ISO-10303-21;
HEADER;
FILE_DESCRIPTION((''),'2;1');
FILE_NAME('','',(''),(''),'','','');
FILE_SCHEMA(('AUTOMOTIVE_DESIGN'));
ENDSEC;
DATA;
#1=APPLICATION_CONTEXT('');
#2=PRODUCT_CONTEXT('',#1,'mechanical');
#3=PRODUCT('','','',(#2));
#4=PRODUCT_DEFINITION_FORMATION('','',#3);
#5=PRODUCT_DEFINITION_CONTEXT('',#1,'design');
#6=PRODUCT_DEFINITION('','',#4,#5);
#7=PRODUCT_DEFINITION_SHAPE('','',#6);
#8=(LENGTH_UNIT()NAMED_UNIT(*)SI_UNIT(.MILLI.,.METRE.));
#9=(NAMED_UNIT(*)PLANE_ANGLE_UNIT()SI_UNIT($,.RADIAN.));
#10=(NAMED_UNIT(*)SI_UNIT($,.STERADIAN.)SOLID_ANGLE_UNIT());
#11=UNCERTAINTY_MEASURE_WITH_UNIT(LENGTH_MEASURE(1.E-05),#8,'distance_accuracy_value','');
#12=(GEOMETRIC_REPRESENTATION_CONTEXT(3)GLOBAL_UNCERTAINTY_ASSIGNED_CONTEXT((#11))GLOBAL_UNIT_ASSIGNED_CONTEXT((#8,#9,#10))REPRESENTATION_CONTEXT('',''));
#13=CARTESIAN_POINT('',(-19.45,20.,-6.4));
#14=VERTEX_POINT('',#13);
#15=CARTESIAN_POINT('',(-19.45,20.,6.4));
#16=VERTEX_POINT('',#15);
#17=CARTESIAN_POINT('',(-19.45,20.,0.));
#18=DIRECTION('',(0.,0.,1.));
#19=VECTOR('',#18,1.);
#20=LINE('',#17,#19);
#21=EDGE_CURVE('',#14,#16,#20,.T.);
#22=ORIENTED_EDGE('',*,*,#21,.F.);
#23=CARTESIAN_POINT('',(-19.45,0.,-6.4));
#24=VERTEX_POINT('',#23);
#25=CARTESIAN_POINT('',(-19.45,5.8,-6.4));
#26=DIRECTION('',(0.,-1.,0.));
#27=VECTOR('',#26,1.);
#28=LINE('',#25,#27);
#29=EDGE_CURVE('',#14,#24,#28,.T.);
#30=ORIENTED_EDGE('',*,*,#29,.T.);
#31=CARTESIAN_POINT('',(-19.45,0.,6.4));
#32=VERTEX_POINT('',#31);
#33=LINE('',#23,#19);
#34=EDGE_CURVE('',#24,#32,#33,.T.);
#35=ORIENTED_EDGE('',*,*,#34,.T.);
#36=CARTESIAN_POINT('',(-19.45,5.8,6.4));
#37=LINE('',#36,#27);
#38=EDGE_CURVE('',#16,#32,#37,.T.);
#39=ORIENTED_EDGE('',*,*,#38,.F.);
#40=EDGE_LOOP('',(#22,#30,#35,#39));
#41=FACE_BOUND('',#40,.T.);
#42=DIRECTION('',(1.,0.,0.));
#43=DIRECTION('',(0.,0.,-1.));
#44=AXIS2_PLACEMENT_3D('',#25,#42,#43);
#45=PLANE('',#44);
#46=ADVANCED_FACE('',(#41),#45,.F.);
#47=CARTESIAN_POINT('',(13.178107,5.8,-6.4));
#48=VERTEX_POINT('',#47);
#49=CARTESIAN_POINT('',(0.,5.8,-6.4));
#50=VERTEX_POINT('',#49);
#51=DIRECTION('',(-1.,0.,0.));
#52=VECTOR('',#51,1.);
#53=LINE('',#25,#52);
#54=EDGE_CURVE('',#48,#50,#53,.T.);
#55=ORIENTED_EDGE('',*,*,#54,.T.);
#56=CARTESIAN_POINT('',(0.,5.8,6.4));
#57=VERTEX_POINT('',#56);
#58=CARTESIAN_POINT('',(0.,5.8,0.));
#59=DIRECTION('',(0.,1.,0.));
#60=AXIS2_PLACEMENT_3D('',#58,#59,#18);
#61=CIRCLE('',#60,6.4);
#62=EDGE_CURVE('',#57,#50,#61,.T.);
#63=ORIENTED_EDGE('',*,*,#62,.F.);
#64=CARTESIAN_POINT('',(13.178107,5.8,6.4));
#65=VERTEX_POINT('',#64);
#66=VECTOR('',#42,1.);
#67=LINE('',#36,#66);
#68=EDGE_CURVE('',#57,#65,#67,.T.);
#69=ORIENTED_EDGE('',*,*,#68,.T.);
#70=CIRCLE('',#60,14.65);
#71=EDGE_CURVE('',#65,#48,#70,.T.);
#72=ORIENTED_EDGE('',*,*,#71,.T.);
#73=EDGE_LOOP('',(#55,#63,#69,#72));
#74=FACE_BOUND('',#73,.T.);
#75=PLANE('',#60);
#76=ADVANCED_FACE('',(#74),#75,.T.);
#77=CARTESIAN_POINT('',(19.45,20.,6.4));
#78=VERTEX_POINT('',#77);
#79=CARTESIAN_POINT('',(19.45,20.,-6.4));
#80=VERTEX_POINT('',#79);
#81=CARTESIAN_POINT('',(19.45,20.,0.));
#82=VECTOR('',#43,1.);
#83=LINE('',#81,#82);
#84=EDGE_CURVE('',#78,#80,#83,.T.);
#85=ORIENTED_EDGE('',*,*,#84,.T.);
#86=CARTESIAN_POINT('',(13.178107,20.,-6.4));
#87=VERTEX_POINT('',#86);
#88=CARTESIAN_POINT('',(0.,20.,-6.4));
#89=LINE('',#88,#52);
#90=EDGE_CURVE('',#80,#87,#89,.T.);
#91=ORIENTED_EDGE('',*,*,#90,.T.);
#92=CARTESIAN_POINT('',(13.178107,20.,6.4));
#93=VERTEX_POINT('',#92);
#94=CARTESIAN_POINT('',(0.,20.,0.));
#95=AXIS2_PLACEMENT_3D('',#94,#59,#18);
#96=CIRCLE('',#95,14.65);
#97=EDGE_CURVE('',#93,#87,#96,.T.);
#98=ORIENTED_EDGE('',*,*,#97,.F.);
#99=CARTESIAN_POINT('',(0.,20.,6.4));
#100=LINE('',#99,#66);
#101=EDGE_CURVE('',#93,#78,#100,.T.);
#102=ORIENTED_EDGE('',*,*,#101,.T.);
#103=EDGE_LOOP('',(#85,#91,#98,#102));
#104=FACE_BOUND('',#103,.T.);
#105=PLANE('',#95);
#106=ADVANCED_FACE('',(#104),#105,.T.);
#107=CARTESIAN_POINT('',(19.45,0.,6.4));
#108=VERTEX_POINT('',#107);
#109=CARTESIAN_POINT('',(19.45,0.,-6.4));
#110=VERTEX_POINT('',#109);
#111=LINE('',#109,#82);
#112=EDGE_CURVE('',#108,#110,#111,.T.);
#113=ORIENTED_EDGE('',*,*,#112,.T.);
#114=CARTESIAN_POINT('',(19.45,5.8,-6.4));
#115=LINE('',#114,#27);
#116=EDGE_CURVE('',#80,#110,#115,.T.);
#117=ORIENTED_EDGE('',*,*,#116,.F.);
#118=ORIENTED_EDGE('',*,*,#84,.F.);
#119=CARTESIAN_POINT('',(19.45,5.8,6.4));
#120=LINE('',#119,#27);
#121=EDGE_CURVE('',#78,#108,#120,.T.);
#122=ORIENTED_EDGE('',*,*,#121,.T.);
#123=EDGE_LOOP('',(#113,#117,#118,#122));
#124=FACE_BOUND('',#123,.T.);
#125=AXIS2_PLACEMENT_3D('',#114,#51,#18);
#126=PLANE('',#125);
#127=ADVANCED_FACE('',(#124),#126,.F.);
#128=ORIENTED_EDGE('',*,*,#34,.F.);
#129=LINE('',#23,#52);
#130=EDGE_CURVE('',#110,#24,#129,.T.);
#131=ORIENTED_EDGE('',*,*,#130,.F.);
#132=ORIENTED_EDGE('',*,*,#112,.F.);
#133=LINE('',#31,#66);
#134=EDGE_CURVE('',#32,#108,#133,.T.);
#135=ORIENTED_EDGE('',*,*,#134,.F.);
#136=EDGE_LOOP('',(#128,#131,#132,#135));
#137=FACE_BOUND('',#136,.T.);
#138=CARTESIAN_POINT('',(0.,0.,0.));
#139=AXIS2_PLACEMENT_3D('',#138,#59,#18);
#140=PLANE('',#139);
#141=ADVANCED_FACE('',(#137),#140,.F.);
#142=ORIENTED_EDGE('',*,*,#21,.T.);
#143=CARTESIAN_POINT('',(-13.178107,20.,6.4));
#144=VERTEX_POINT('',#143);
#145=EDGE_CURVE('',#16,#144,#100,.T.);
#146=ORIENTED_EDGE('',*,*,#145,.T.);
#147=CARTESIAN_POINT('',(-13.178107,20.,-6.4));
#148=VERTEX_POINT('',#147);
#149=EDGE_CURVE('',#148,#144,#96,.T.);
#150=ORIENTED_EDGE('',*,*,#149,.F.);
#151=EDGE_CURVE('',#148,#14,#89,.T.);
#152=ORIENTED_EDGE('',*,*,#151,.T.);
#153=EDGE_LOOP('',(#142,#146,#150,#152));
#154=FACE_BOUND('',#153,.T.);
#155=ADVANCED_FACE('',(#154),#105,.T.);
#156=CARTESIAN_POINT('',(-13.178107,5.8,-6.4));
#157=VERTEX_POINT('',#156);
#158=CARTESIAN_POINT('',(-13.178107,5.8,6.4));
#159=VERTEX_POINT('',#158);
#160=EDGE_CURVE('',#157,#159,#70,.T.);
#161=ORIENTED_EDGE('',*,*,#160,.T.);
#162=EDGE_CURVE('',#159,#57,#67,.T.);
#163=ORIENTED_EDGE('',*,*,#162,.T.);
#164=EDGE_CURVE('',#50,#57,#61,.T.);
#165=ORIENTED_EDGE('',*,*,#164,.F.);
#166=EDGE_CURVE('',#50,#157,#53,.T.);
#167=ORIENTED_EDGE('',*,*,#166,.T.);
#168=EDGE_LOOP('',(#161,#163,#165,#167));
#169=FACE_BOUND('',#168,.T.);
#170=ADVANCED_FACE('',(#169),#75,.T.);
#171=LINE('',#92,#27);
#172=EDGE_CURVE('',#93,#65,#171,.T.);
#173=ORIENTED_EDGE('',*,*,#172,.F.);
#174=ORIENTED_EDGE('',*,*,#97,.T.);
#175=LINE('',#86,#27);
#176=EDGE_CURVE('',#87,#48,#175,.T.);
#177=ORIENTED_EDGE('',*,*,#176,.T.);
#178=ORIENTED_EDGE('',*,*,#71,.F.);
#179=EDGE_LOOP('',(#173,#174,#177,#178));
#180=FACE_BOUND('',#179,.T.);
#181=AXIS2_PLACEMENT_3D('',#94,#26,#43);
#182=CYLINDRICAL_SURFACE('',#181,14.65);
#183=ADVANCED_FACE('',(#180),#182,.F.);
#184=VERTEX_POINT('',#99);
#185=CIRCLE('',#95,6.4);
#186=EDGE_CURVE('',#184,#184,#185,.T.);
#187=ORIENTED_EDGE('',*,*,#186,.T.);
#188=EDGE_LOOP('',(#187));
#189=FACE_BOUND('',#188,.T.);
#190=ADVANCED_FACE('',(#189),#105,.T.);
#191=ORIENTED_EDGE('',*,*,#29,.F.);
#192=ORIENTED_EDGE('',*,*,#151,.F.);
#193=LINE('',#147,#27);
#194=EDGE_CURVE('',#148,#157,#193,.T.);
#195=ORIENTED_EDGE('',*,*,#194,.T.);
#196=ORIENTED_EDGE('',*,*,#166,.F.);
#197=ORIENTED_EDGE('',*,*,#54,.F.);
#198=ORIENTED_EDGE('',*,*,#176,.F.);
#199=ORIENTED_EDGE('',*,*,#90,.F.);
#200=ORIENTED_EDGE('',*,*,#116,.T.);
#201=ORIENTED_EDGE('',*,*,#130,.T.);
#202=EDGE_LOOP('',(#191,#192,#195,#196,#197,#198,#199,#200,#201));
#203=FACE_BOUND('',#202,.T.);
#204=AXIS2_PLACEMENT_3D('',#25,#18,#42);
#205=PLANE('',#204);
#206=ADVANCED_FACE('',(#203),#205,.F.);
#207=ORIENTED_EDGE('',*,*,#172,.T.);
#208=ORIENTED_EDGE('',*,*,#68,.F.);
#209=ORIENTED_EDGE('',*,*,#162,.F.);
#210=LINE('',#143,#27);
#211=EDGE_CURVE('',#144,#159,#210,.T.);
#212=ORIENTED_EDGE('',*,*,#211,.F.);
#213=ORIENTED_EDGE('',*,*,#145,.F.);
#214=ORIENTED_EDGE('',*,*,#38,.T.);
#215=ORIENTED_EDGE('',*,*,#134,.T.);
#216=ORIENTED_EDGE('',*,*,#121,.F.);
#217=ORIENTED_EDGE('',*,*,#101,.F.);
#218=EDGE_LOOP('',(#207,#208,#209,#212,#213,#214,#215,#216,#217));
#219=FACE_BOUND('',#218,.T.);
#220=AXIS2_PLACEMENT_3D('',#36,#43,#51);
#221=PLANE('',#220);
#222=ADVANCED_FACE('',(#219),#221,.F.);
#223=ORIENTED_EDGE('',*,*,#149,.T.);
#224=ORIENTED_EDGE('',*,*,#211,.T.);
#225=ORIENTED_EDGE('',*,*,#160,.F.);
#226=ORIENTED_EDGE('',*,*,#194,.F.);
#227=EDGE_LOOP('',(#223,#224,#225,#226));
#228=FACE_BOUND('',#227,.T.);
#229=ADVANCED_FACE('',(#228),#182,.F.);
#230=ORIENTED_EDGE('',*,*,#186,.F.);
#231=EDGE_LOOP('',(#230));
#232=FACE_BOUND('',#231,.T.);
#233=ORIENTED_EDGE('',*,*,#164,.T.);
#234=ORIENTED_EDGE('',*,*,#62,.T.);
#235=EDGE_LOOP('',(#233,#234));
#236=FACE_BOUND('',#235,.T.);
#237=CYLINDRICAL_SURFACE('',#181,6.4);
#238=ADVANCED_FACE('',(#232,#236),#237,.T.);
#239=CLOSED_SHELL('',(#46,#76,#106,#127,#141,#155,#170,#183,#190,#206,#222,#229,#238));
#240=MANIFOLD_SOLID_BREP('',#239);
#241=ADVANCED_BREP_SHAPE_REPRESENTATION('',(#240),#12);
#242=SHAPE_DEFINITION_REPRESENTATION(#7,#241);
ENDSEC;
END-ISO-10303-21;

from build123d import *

# Parameters (mm, degrees)
SKETCH2_W           = 38.9
SKETCH2_H           = 12.8
BOSS_EXTRUDE1_DEPTH = 5.8
SKETCH3_R           = 6.4
BOSS_EXTRUDE2_DEPTH = 14.2


with BuildPart() as part:
    # Sketch2 → Boss-Extrude1 (new body)
    with BuildSketch(Plane(origin=(0, 0, 0), x_dir=(1, 0, 0), z_dir=(0, 1, 0))):
        Rectangle(SKETCH2_W, SKETCH2_H)
    extrude(amount=BOSS_EXTRUDE1_DEPTH)

    # Sketch3 → Boss-Extrude2 (add)
    with BuildSketch(Plane(origin=(0, 5.8, 0), x_dir=(1, 0, 0), z_dir=(0, 1, 0))):
        with BuildLine():
            Line((-13.178106844, 6.4), (-19.45, 6.4))
            Line((-19.45, 6.4), (-19.45, -6.4))
            Line((-19.45, -6.4), (-13.178106844, -6.4))
            ThreePointArc((-13.178106844, -6.4), (-14.65, 0), (-13.178106844, 6.4))
        make_face()
        Circle(SKETCH3_R)
        with BuildLine():
            Line((19.45, 6.4), (13.178106844, 6.4))
            ThreePointArc((13.178106844, 6.4), (14.65, 0), (13.178106844, -6.4))
            Line((13.178106844, -6.4), (19.45, -6.4))
            Line((19.45, -6.4), (19.45, 6.4))
        make_face()
    extrude(amount=BOSS_EXTRUDE2_DEPTH)


solid = part.part
